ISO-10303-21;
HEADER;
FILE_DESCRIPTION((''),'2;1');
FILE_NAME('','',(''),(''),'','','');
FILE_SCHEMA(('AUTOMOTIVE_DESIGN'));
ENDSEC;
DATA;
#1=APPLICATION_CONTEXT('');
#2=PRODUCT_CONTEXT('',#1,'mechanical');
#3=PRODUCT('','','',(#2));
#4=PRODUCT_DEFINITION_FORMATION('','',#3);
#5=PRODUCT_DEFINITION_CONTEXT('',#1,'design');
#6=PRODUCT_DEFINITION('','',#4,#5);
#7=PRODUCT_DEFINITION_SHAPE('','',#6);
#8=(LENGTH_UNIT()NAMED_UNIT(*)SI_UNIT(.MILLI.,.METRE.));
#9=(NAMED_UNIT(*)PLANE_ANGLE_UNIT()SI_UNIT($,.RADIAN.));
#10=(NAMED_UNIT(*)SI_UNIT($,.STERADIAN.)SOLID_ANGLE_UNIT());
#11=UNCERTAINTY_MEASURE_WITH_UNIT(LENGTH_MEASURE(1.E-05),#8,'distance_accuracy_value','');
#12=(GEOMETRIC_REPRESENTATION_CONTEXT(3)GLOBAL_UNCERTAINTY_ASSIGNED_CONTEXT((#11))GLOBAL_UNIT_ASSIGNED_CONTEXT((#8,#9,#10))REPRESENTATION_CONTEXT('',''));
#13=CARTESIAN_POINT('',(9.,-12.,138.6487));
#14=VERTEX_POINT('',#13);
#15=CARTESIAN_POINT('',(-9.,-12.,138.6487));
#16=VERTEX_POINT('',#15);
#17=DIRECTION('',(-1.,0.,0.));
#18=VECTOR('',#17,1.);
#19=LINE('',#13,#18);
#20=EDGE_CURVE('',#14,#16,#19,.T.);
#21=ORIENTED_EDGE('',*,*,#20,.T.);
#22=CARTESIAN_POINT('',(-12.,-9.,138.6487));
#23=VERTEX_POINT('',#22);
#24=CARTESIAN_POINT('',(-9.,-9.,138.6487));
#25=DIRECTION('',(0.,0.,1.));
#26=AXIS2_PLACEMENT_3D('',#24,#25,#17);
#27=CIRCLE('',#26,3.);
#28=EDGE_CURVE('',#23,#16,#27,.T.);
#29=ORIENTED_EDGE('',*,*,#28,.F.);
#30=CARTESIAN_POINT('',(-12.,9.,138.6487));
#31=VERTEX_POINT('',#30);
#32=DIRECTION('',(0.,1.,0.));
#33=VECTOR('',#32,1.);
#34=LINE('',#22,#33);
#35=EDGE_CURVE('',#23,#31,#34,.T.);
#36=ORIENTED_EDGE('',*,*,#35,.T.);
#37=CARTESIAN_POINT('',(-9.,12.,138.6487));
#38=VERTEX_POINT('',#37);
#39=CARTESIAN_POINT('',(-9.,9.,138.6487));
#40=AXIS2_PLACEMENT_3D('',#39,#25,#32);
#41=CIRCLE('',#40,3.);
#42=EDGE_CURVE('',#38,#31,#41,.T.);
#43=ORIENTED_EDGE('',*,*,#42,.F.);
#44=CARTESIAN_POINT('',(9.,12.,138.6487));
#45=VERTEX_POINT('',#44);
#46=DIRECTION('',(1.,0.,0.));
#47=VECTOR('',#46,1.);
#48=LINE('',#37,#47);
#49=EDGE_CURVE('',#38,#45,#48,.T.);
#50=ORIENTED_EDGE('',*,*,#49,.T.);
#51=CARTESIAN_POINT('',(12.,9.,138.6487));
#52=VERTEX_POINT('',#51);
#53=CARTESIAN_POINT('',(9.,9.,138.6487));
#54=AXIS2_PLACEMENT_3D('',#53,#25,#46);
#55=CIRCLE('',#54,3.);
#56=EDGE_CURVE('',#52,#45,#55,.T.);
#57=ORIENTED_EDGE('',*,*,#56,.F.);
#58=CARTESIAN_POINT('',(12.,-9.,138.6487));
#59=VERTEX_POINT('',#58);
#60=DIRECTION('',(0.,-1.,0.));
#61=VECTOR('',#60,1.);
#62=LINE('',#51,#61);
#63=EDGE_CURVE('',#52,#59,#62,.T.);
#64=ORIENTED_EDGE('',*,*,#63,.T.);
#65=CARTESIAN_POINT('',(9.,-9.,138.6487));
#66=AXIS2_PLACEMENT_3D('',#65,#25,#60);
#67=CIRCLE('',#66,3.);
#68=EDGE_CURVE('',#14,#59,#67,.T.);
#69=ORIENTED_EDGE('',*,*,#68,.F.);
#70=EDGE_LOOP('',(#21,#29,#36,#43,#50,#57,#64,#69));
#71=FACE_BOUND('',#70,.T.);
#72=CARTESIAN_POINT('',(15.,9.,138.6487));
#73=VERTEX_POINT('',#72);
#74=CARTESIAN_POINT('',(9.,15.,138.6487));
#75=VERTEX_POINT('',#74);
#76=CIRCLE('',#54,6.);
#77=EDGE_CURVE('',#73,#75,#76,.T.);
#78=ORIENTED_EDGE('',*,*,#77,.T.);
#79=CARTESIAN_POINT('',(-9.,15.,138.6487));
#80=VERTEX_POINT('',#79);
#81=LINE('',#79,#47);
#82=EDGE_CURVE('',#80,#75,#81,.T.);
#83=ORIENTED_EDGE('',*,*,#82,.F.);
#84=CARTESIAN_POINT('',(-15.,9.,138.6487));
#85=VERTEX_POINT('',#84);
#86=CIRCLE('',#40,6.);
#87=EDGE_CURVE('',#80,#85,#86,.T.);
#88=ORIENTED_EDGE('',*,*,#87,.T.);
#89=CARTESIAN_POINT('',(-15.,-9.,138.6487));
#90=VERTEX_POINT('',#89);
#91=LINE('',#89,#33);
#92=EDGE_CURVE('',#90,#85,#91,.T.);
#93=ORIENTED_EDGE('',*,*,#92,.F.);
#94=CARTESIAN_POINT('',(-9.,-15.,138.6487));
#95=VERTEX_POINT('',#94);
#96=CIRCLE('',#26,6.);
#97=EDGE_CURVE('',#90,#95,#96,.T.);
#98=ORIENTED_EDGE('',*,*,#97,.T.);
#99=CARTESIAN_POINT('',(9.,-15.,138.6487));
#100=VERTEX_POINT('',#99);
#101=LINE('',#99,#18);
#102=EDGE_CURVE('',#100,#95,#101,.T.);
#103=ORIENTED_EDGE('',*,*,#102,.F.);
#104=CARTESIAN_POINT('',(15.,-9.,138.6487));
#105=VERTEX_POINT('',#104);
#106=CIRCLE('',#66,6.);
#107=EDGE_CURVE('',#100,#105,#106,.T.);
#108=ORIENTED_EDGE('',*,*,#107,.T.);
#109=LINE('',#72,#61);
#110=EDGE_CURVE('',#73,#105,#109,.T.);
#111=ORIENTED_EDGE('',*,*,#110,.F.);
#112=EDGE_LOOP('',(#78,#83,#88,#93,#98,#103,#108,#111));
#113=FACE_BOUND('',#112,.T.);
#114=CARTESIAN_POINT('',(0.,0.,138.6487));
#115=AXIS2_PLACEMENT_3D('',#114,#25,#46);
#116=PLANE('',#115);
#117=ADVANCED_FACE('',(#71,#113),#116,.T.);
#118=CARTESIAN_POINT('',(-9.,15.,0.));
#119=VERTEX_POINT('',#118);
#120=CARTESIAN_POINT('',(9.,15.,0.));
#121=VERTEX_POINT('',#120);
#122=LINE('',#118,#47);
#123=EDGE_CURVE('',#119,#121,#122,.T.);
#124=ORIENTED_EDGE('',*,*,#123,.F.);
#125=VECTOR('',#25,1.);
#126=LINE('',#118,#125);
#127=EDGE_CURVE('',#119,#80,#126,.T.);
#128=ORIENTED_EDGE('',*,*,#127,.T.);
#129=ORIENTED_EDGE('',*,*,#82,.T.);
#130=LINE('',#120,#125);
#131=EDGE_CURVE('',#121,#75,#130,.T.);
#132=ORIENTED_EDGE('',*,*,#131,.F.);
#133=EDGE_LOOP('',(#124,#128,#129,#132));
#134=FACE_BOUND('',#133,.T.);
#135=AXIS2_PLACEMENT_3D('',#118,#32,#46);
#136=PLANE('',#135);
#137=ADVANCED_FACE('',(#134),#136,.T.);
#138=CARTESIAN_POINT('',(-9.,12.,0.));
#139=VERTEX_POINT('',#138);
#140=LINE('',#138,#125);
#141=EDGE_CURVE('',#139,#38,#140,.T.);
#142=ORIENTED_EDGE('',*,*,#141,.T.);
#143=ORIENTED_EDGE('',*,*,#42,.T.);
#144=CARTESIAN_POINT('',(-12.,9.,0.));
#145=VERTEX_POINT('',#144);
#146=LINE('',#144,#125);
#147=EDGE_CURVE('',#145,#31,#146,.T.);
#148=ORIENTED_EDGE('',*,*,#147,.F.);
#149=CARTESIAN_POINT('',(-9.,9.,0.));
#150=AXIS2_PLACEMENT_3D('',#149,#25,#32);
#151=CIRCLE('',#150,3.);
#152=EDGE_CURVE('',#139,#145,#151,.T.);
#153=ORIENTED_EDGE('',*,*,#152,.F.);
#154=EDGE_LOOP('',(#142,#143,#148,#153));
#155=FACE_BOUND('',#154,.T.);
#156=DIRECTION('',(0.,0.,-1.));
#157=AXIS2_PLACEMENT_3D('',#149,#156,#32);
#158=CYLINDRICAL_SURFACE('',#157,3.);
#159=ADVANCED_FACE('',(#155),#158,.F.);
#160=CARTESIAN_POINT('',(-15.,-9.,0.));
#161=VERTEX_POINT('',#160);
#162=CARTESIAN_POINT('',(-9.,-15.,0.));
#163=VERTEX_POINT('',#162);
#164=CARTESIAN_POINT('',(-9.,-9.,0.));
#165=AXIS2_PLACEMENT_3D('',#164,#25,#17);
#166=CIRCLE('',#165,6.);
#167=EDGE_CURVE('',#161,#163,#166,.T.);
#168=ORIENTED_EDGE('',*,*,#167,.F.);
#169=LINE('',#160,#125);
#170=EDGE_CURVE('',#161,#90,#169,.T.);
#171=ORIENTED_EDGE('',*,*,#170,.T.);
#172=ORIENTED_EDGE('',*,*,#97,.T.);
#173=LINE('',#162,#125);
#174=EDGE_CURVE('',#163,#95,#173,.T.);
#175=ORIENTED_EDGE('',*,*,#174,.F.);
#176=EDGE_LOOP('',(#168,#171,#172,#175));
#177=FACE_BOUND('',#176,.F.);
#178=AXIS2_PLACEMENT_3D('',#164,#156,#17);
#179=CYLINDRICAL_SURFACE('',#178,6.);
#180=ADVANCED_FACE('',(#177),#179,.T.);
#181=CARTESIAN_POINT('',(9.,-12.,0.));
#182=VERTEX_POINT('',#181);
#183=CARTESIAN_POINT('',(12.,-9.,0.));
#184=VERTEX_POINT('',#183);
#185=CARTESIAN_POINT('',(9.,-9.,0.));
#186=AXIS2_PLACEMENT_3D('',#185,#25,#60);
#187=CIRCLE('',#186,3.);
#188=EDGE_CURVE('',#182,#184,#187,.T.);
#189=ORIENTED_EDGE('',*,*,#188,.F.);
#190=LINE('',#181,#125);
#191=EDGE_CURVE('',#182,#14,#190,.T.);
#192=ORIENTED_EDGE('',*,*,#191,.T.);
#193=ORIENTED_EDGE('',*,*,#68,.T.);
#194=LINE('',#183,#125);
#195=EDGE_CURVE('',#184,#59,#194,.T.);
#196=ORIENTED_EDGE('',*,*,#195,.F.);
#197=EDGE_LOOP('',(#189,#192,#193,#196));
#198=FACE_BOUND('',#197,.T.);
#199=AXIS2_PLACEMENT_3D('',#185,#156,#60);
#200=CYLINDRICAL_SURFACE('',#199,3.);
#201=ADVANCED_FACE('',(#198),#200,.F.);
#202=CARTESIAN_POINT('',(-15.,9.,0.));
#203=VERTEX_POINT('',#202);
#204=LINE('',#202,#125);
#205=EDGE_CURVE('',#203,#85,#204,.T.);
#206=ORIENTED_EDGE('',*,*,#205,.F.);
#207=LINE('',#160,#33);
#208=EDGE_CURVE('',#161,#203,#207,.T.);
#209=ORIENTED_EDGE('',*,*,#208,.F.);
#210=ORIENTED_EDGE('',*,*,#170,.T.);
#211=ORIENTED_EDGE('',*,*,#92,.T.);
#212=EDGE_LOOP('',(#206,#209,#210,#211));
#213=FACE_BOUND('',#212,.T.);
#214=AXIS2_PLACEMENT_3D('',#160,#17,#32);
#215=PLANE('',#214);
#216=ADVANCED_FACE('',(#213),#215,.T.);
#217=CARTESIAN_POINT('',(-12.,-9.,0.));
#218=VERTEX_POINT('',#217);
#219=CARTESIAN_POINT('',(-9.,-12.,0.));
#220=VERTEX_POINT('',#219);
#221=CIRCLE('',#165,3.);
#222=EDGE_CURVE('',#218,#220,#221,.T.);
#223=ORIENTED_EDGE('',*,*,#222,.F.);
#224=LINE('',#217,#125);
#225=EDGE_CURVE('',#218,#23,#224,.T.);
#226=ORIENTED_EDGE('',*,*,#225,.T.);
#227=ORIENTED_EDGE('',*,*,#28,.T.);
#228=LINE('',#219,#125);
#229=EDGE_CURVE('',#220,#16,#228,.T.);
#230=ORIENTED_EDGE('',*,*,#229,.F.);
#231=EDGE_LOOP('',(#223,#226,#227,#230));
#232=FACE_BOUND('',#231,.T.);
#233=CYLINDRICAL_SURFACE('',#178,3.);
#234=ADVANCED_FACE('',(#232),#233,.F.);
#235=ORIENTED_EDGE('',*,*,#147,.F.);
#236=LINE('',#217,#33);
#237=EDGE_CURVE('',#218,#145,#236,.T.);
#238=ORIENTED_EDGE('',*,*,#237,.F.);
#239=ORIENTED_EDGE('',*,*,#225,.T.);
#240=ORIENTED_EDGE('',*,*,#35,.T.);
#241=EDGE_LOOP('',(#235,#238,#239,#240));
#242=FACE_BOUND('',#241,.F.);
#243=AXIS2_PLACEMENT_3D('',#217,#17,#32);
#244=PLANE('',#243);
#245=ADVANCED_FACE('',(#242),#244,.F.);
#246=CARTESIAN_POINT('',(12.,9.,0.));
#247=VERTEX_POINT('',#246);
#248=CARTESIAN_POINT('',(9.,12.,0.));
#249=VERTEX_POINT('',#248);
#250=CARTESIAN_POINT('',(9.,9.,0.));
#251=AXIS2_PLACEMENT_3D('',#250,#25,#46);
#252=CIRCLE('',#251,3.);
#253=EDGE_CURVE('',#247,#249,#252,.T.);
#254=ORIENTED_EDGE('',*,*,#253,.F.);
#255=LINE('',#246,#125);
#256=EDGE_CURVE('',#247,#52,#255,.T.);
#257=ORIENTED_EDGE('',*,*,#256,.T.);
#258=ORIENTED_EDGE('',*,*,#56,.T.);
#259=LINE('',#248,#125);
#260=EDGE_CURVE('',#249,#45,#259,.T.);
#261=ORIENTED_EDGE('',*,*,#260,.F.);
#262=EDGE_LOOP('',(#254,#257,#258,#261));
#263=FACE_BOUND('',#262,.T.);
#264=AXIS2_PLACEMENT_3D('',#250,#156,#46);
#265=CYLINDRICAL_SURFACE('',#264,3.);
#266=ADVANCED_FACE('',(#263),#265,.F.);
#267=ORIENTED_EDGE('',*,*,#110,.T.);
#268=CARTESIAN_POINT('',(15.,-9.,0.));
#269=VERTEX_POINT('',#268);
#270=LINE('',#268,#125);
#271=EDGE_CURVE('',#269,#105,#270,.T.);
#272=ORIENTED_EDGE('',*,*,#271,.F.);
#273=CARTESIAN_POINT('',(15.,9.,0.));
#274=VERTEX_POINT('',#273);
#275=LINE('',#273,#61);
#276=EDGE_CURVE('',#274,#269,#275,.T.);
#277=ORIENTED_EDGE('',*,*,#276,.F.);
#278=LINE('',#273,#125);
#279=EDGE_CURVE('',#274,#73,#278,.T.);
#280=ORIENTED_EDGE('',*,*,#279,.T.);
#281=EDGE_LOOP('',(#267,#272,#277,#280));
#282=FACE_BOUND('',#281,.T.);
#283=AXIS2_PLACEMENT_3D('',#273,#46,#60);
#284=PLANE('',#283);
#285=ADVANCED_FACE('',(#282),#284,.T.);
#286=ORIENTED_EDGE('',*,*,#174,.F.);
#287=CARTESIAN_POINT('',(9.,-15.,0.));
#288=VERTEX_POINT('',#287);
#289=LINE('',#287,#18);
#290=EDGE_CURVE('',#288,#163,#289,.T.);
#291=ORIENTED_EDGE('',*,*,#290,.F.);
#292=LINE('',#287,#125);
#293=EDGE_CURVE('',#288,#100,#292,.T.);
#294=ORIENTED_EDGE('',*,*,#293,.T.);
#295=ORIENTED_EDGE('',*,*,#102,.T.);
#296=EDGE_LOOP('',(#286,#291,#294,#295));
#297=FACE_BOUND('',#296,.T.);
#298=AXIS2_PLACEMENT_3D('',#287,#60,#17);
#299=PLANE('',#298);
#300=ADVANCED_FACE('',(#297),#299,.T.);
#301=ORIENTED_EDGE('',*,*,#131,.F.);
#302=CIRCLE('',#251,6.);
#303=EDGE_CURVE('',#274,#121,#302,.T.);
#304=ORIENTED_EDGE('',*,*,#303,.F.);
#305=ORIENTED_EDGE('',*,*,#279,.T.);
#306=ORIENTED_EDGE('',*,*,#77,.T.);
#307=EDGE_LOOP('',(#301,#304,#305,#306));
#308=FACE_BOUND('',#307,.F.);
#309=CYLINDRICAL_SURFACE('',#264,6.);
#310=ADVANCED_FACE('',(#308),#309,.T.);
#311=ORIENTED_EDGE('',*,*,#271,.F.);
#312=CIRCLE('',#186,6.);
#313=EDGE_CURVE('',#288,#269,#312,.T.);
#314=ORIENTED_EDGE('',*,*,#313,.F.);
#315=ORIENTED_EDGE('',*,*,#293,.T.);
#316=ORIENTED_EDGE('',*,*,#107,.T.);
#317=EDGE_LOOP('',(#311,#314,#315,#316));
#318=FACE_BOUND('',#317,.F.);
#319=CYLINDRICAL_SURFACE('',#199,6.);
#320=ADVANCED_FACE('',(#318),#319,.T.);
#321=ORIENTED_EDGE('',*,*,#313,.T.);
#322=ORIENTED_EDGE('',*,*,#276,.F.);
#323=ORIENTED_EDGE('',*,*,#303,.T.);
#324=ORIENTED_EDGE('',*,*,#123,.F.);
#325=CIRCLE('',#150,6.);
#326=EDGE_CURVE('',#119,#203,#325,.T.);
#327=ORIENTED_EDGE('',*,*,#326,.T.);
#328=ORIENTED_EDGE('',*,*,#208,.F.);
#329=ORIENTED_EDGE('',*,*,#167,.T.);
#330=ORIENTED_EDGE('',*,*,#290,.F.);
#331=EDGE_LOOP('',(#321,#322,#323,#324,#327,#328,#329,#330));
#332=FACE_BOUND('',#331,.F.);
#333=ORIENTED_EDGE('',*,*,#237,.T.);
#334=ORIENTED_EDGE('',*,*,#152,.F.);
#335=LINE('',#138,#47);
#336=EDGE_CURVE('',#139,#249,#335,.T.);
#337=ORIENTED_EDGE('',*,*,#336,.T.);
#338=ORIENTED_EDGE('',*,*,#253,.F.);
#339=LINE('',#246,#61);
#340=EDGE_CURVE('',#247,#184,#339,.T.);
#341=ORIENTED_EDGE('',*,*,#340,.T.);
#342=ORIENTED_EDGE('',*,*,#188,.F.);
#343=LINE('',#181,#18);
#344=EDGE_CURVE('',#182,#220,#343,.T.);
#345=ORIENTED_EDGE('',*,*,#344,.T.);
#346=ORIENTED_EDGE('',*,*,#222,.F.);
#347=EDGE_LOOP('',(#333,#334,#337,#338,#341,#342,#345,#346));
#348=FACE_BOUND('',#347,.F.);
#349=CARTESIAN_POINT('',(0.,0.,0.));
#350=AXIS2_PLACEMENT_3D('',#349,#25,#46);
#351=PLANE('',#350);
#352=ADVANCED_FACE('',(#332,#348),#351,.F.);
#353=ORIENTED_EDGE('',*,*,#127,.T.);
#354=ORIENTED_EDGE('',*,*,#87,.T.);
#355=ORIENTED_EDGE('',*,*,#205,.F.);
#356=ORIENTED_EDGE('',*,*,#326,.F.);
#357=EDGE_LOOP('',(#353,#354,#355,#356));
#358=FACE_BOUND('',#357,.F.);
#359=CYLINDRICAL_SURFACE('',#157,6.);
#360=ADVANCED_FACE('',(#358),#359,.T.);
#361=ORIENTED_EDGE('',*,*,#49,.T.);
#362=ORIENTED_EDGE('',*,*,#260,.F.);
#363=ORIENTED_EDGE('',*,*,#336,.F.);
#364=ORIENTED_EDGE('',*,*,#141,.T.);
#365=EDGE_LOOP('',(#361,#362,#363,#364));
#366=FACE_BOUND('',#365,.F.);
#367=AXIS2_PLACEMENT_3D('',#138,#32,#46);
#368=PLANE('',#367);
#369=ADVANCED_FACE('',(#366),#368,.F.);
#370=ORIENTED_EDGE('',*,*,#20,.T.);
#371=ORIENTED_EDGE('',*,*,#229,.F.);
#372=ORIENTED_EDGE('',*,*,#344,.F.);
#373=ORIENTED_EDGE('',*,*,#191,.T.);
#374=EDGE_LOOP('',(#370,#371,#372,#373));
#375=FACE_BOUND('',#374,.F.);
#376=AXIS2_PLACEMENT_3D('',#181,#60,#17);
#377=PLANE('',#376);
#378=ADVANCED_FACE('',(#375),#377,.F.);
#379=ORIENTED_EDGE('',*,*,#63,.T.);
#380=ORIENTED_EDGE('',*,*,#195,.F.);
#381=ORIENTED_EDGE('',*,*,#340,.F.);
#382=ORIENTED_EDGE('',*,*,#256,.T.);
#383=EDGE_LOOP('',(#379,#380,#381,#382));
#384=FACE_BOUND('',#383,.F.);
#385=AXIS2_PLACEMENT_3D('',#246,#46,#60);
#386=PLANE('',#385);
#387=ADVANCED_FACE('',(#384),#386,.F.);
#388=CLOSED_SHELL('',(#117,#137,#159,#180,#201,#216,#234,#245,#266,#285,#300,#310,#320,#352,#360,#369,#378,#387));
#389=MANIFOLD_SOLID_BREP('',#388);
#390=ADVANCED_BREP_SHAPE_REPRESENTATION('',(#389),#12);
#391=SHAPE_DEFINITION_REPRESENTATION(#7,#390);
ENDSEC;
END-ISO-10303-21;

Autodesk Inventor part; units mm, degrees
ref_plane "YZ Plane" through (0, 0, 0) normal (1, 0, 0) x (0, 1, 0)
ref_plane "Plano inicial" through (0, 0, 0) normal (0, 0, 1) x (1, 0, 0)
ref_plane "Plano final" through (0, 0, 138.6487) normal (0, 0, 1) x (1, 0, 0)
sketch "Esboço" plane through (0, 0, 0) normal (0, 0, 1) x (1, 0, 0)
  line L0 (-15, -9) -> (-15, 9)
  line L1 (-9, 15) -> (9, 15)
  line L2 (15, 9) -> (15, -9)
  line L3 (9, -15) -> (-9, -15)
  arc A0 (-15, -9) -> (-9, -15) centre (-9, -9) ccw
  arc A1 (15, 9) -> (9, 15) centre (9, 9) ccw
  arc A2 (-9, 15) -> (-15, 9) centre (-9, 9) ccw
  arc A3 (9, -15) -> (15, -9) centre (9, -9) ccw
  arc A4 (-9, 12) -> (-12, 9) centre (-9, 9) ccw
  line L4 (-9, 12) -> (9, 12)
  arc A5 (12, 9) -> (9, 12) centre (9, 9) ccw
  line L5 (12, 9) -> (12, -9)
  arc A6 (9, -12) -> (12, -9) centre (9, -9) ccw
  line L6 (9, -12) -> (-9, -12)
  arc A7 (-12, -9) -> (-9, -12) centre (-9, -9) ccw
  line L7 (-12, -9) -> (-12, 9)
  line L8 (0, 22.7397) -> (0, -22.7397) construction
  line L9 (-22.7397, 0) -> (22.7397, 0) construction
  dimension "d7" = 6
  dimension "d9" = 30
  dimension "d11" = 30
  dimension "d12" = 3
  dimension "d15" = 15
  dimension "d16" = 15
extrude "Corpo" add sketch "Esboço" along normal up to surface (138.6487 mm away) from surface at 0
sketch "Sketch3" plane through (0, 0, 0) normal (0, 0, 1) x (1, 0, 0)
  line L0 (0, 0) -> (10, 0)
ref_plane "Work Plane3" through (0, 0, 0) normal (0, -1, 0) x (1, 0, 0)
sketch "Sketch4" plane through (0, 0, 0) normal (0, -1, 0) x (1, 0, 0)
  line L0 (-2, 0) -> (12, 0)
  line L1 (-2, 138.6487) -> (12, 138.6487)
  dimension "d18" = 138.6487
equation "\"d7\" = G_IR"
equation "\"d9\" = G_W"
equation "\"d11\" = G_H"
equation "\"d12\" = G_T"
equation "\"d15\" = 0.5 * d9"
equation "\"d16\" = 0.5 * d11"
equation "\"d3\" = G_L"
equation "\"G_W\" = 30"
equation "\"G_H\" = 30"
equation "\"G_T\" = 3"
equation "\"G_IR\" = 6"
equation "\"G_L\" = d18"
equation "\"G_OFFSET_START\" = 0"
equation "\"G_OFFSET_END\" = 0"
equation "\"d14\" = G_OFFSET_END + B_L"
equation "\"B_L\" = 138.64874"
properties part number "ISO 10799-2 - 30x30x3 - 138,649" material "Aço, suave"
